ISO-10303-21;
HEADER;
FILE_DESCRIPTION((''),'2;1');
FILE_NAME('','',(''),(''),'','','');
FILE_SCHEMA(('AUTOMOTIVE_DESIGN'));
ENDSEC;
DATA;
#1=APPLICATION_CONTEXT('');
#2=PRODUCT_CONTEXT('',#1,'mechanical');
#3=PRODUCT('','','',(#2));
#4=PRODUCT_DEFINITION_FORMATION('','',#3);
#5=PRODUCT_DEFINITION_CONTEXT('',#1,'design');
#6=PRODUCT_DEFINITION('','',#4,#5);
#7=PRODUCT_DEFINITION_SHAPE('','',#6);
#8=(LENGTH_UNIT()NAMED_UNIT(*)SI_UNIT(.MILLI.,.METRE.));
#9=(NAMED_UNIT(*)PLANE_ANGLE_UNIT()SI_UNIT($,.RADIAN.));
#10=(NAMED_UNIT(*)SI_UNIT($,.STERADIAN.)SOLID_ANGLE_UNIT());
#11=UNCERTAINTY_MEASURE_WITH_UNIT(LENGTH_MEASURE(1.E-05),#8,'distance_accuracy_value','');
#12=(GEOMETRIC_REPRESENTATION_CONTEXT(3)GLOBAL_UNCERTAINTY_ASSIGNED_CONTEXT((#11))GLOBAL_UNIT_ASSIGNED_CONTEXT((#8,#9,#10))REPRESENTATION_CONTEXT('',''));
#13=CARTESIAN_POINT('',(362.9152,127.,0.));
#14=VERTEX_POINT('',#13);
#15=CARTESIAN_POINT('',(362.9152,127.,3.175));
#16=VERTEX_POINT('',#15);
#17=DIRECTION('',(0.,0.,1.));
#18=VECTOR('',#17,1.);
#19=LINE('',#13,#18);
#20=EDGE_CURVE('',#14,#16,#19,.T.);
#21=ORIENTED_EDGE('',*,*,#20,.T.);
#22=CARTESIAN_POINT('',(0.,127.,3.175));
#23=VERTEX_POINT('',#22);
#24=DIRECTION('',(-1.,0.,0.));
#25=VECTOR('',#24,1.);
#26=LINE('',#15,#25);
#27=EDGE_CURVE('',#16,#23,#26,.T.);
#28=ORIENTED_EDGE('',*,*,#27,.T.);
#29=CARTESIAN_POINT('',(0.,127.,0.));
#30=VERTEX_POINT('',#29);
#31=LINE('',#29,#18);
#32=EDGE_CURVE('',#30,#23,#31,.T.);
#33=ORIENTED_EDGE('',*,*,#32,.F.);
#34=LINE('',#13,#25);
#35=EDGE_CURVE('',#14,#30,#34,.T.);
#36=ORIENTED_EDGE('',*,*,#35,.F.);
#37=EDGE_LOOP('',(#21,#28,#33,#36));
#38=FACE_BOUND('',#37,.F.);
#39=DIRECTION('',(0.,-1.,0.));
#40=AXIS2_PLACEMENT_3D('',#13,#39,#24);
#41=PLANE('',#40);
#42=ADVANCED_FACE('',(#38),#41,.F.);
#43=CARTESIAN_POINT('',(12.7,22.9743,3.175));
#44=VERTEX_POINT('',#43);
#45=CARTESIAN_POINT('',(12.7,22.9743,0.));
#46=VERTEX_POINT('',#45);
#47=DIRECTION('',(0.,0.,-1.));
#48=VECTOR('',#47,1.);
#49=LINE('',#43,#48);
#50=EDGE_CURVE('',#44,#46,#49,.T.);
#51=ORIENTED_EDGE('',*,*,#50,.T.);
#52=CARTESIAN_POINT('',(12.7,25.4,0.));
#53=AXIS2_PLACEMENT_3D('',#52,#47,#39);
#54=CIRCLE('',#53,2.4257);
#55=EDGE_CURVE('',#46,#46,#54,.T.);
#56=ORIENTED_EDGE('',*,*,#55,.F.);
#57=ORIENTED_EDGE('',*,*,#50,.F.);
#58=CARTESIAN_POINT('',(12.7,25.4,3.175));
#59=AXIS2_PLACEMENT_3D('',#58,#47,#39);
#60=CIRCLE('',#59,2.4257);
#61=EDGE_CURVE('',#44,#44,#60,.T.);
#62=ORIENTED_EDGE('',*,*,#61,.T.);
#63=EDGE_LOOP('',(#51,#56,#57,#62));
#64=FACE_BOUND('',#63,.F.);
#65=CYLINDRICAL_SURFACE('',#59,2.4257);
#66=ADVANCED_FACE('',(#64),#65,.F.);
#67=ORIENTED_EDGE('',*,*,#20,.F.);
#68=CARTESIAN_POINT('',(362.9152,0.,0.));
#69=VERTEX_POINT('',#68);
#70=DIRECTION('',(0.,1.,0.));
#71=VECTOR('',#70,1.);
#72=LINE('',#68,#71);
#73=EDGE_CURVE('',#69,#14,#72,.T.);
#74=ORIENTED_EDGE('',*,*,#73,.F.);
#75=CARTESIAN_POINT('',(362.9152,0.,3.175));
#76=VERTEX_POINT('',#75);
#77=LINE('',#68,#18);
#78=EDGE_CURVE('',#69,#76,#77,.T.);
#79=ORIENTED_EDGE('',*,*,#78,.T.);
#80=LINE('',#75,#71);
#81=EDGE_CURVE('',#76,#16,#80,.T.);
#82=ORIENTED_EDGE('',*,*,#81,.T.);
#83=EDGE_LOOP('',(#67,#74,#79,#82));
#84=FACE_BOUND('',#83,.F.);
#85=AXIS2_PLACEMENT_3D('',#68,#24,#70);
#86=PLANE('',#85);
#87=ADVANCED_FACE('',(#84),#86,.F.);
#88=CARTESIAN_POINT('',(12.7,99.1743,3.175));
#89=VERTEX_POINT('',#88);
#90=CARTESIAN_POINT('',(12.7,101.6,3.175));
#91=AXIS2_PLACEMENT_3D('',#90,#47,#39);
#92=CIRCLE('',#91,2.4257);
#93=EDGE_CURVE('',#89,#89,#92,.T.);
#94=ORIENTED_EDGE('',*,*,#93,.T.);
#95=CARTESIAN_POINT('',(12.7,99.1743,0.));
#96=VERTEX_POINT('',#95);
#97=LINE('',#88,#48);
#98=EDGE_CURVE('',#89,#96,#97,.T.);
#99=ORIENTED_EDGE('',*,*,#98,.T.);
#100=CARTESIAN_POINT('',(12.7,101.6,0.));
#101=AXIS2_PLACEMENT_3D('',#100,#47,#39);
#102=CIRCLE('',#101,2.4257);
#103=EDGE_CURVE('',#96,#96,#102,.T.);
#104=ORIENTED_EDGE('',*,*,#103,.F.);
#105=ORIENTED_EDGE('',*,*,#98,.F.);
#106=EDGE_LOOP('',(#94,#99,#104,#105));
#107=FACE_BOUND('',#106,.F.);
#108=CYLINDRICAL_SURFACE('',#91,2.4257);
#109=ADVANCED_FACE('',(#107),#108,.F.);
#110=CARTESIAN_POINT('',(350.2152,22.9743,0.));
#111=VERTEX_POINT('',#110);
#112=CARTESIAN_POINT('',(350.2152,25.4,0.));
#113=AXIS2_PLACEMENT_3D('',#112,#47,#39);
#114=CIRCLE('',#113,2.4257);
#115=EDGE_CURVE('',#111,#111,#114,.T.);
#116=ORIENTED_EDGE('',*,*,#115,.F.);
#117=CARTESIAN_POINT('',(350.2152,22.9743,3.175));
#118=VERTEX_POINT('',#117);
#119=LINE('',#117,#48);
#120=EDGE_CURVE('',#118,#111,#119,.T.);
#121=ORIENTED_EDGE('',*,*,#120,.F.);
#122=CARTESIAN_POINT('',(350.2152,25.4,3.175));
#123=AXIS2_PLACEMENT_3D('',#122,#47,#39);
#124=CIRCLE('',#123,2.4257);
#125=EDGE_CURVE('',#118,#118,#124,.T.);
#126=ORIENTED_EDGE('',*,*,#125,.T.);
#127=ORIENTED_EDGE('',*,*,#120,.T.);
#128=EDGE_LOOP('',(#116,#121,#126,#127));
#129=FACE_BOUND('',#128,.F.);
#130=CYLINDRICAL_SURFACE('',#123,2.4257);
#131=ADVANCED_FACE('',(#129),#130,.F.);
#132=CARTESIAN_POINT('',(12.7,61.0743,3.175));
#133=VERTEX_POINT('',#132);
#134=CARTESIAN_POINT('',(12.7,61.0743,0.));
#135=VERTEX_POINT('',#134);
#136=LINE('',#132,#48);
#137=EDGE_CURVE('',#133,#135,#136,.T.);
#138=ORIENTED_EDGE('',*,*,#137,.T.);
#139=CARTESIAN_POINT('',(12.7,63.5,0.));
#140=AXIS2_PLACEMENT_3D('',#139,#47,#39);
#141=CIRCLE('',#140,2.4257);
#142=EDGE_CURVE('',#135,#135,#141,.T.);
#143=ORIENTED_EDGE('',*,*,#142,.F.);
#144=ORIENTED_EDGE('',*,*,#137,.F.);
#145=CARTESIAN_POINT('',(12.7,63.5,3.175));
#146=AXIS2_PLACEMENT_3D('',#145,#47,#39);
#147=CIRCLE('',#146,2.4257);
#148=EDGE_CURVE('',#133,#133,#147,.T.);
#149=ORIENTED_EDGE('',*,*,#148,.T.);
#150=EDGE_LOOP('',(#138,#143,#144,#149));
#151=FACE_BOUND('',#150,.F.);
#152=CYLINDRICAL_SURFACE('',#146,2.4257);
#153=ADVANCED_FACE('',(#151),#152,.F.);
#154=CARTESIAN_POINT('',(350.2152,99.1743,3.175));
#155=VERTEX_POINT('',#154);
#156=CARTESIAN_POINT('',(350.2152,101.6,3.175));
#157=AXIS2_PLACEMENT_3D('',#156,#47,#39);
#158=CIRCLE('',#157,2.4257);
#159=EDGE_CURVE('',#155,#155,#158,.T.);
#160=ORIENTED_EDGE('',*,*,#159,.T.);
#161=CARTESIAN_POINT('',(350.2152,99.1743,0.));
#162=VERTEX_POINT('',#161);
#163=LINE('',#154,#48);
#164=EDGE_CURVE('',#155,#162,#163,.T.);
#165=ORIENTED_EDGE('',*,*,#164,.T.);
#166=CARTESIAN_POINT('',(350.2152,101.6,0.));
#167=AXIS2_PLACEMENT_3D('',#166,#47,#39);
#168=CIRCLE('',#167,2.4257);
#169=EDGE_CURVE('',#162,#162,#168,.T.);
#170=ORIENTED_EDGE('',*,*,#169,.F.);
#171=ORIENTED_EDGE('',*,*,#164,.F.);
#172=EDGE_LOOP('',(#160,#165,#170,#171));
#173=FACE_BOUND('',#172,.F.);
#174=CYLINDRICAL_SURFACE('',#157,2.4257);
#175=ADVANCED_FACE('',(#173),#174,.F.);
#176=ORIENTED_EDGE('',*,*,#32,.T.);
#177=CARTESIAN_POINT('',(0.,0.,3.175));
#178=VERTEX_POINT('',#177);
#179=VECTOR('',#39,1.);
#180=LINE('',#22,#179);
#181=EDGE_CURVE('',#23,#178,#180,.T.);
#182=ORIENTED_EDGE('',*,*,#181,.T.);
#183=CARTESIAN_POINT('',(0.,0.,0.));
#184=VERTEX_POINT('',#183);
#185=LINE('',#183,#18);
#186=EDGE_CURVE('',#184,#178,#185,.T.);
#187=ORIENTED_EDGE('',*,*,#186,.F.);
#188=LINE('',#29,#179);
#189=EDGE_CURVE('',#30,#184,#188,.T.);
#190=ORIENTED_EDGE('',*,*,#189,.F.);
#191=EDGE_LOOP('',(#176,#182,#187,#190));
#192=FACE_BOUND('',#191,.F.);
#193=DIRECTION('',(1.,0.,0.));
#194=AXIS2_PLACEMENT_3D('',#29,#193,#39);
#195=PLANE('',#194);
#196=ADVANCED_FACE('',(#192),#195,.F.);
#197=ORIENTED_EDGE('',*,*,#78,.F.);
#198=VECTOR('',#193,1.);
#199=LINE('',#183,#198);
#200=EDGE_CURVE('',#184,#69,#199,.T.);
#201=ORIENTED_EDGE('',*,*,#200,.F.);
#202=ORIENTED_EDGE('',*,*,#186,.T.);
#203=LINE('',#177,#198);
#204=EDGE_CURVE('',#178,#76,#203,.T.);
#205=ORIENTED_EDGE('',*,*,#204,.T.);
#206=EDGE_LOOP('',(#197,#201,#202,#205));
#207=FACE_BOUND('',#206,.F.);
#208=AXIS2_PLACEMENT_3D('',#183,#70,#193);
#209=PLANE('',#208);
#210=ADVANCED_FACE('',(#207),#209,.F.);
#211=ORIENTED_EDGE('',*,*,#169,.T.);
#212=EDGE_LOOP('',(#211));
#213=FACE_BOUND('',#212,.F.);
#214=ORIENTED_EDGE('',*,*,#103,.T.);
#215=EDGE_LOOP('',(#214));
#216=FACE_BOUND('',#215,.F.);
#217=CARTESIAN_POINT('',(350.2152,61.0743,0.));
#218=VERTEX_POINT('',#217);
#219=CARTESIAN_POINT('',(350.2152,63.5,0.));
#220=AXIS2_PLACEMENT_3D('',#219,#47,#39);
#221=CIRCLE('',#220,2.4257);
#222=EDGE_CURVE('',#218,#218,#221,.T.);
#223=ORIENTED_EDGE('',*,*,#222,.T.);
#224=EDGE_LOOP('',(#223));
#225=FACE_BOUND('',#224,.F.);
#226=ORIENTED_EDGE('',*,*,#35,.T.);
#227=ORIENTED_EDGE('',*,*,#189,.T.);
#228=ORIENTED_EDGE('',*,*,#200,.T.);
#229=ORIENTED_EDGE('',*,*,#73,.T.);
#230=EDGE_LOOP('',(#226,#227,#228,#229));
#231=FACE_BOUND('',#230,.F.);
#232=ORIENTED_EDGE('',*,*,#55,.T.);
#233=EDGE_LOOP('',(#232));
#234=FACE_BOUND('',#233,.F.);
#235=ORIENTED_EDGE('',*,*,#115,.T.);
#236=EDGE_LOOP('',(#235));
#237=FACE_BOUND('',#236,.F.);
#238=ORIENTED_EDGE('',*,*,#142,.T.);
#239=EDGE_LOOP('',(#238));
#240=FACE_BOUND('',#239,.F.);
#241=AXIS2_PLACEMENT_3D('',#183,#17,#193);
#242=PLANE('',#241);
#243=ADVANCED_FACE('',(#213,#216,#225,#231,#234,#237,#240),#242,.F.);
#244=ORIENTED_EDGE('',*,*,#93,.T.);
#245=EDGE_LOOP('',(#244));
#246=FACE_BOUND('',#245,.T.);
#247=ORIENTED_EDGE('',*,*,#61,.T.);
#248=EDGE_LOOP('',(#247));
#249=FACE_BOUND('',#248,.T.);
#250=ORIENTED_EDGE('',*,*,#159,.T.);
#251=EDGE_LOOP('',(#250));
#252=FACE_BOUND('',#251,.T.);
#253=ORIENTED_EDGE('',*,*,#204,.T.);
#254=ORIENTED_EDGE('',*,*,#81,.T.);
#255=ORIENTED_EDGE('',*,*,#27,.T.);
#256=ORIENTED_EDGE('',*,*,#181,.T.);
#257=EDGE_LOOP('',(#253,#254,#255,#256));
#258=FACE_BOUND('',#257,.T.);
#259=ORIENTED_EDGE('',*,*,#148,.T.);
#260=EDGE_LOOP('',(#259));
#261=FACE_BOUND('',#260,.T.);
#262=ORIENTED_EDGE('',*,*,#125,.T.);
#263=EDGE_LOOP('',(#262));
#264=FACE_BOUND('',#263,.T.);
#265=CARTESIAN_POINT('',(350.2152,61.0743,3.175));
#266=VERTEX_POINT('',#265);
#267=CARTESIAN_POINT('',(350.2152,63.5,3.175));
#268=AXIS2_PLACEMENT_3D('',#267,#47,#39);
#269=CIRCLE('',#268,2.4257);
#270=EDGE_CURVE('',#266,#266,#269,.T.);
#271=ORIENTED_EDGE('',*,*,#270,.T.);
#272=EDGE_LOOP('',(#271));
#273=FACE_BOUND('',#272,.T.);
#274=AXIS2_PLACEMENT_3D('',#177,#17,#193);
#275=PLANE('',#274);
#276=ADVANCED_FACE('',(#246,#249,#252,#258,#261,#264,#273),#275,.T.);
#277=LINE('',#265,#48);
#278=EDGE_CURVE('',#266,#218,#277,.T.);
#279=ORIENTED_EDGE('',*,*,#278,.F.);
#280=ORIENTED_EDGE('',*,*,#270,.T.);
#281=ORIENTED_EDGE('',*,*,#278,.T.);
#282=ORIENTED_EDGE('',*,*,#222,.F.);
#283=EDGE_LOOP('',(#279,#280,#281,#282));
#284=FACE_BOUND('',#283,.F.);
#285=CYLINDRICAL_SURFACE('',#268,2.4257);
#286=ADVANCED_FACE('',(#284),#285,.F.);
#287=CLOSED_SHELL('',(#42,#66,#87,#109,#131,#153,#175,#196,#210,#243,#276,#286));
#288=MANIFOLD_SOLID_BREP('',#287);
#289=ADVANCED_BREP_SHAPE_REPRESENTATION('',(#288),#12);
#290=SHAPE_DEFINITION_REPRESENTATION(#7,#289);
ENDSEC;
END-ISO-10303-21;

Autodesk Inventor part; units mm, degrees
ref_plane "YZ Plane" through (0, 0, 0) normal (1, 0, 0) x (0, 1, 0)
ref_plane "XZ Plane" through (0, 0, 0) normal (0, 1, 0) x (-1, 0, 0)
ref_plane "XY Plane" through (0, 0, 0) normal (0, 0, 1) x (1, 0, 0)
sketch "Sketch1" plane through (0, 0, 0) normal (0, 0, 1) x (1, 0, 0)
  line L0 (0, 0) -> (362.9152, 0)
  line L1 (362.9152, 0) -> (362.9152, 127)
  line L2 (362.9152, 127) -> (0, 127)
  line L3 (0, 127) -> (0, 0)
  dimension "d0" = 362.9152
  dimension "d1" = 127
extrude "Extrusion1" add sketch "Sketch1" along normal blind 3.175
sketch "Sketch2" plane through (0, 0, 3.175) normal (0, 0, 1) x (1, 0, 0)
  line L0 (0, 127) -> (0, 0) projected
  line L1 (362.9152, 0) -> (362.9152, 127) projected
  line L2 (362.9152, 127) -> (0, 127) projected
  line L3 (0, 0) -> (362.9152, 0) projected
  point P0 (12.7, 25.4)
  point P1 (12.7, 63.5)
  point P2 (350.2152, 25.4)
  point P3 (350.2152, 63.5)
  point P4 (12.7, 101.6)
  point P5 (350.2152, 101.6)
  dimension "d4" = 12.7
  dimension "d5" = 12.7
  dimension "d6" = 12.7
  dimension "d7" = 12.7
  dimension "d8" = 12.7
  dimension "d9" = 12.7
  dimension "d10" = 25.4
  dimension "d11" = 25.4
  dimension "d12" = 38.1
hole "Hole1" at (12.7, 25.4, 3.175) at (12.7, 63.5, 3.175) at (350.2152, 25.4, 3.175) at (350.2152, 63.5, 3.175) at (12.7, 101.6, 3.175) at (350.2152, 101.6, 3.175) direction (0, 0, -1) diameter 4.8514 end through all
properties part number "ARM_076_LexanShield"
